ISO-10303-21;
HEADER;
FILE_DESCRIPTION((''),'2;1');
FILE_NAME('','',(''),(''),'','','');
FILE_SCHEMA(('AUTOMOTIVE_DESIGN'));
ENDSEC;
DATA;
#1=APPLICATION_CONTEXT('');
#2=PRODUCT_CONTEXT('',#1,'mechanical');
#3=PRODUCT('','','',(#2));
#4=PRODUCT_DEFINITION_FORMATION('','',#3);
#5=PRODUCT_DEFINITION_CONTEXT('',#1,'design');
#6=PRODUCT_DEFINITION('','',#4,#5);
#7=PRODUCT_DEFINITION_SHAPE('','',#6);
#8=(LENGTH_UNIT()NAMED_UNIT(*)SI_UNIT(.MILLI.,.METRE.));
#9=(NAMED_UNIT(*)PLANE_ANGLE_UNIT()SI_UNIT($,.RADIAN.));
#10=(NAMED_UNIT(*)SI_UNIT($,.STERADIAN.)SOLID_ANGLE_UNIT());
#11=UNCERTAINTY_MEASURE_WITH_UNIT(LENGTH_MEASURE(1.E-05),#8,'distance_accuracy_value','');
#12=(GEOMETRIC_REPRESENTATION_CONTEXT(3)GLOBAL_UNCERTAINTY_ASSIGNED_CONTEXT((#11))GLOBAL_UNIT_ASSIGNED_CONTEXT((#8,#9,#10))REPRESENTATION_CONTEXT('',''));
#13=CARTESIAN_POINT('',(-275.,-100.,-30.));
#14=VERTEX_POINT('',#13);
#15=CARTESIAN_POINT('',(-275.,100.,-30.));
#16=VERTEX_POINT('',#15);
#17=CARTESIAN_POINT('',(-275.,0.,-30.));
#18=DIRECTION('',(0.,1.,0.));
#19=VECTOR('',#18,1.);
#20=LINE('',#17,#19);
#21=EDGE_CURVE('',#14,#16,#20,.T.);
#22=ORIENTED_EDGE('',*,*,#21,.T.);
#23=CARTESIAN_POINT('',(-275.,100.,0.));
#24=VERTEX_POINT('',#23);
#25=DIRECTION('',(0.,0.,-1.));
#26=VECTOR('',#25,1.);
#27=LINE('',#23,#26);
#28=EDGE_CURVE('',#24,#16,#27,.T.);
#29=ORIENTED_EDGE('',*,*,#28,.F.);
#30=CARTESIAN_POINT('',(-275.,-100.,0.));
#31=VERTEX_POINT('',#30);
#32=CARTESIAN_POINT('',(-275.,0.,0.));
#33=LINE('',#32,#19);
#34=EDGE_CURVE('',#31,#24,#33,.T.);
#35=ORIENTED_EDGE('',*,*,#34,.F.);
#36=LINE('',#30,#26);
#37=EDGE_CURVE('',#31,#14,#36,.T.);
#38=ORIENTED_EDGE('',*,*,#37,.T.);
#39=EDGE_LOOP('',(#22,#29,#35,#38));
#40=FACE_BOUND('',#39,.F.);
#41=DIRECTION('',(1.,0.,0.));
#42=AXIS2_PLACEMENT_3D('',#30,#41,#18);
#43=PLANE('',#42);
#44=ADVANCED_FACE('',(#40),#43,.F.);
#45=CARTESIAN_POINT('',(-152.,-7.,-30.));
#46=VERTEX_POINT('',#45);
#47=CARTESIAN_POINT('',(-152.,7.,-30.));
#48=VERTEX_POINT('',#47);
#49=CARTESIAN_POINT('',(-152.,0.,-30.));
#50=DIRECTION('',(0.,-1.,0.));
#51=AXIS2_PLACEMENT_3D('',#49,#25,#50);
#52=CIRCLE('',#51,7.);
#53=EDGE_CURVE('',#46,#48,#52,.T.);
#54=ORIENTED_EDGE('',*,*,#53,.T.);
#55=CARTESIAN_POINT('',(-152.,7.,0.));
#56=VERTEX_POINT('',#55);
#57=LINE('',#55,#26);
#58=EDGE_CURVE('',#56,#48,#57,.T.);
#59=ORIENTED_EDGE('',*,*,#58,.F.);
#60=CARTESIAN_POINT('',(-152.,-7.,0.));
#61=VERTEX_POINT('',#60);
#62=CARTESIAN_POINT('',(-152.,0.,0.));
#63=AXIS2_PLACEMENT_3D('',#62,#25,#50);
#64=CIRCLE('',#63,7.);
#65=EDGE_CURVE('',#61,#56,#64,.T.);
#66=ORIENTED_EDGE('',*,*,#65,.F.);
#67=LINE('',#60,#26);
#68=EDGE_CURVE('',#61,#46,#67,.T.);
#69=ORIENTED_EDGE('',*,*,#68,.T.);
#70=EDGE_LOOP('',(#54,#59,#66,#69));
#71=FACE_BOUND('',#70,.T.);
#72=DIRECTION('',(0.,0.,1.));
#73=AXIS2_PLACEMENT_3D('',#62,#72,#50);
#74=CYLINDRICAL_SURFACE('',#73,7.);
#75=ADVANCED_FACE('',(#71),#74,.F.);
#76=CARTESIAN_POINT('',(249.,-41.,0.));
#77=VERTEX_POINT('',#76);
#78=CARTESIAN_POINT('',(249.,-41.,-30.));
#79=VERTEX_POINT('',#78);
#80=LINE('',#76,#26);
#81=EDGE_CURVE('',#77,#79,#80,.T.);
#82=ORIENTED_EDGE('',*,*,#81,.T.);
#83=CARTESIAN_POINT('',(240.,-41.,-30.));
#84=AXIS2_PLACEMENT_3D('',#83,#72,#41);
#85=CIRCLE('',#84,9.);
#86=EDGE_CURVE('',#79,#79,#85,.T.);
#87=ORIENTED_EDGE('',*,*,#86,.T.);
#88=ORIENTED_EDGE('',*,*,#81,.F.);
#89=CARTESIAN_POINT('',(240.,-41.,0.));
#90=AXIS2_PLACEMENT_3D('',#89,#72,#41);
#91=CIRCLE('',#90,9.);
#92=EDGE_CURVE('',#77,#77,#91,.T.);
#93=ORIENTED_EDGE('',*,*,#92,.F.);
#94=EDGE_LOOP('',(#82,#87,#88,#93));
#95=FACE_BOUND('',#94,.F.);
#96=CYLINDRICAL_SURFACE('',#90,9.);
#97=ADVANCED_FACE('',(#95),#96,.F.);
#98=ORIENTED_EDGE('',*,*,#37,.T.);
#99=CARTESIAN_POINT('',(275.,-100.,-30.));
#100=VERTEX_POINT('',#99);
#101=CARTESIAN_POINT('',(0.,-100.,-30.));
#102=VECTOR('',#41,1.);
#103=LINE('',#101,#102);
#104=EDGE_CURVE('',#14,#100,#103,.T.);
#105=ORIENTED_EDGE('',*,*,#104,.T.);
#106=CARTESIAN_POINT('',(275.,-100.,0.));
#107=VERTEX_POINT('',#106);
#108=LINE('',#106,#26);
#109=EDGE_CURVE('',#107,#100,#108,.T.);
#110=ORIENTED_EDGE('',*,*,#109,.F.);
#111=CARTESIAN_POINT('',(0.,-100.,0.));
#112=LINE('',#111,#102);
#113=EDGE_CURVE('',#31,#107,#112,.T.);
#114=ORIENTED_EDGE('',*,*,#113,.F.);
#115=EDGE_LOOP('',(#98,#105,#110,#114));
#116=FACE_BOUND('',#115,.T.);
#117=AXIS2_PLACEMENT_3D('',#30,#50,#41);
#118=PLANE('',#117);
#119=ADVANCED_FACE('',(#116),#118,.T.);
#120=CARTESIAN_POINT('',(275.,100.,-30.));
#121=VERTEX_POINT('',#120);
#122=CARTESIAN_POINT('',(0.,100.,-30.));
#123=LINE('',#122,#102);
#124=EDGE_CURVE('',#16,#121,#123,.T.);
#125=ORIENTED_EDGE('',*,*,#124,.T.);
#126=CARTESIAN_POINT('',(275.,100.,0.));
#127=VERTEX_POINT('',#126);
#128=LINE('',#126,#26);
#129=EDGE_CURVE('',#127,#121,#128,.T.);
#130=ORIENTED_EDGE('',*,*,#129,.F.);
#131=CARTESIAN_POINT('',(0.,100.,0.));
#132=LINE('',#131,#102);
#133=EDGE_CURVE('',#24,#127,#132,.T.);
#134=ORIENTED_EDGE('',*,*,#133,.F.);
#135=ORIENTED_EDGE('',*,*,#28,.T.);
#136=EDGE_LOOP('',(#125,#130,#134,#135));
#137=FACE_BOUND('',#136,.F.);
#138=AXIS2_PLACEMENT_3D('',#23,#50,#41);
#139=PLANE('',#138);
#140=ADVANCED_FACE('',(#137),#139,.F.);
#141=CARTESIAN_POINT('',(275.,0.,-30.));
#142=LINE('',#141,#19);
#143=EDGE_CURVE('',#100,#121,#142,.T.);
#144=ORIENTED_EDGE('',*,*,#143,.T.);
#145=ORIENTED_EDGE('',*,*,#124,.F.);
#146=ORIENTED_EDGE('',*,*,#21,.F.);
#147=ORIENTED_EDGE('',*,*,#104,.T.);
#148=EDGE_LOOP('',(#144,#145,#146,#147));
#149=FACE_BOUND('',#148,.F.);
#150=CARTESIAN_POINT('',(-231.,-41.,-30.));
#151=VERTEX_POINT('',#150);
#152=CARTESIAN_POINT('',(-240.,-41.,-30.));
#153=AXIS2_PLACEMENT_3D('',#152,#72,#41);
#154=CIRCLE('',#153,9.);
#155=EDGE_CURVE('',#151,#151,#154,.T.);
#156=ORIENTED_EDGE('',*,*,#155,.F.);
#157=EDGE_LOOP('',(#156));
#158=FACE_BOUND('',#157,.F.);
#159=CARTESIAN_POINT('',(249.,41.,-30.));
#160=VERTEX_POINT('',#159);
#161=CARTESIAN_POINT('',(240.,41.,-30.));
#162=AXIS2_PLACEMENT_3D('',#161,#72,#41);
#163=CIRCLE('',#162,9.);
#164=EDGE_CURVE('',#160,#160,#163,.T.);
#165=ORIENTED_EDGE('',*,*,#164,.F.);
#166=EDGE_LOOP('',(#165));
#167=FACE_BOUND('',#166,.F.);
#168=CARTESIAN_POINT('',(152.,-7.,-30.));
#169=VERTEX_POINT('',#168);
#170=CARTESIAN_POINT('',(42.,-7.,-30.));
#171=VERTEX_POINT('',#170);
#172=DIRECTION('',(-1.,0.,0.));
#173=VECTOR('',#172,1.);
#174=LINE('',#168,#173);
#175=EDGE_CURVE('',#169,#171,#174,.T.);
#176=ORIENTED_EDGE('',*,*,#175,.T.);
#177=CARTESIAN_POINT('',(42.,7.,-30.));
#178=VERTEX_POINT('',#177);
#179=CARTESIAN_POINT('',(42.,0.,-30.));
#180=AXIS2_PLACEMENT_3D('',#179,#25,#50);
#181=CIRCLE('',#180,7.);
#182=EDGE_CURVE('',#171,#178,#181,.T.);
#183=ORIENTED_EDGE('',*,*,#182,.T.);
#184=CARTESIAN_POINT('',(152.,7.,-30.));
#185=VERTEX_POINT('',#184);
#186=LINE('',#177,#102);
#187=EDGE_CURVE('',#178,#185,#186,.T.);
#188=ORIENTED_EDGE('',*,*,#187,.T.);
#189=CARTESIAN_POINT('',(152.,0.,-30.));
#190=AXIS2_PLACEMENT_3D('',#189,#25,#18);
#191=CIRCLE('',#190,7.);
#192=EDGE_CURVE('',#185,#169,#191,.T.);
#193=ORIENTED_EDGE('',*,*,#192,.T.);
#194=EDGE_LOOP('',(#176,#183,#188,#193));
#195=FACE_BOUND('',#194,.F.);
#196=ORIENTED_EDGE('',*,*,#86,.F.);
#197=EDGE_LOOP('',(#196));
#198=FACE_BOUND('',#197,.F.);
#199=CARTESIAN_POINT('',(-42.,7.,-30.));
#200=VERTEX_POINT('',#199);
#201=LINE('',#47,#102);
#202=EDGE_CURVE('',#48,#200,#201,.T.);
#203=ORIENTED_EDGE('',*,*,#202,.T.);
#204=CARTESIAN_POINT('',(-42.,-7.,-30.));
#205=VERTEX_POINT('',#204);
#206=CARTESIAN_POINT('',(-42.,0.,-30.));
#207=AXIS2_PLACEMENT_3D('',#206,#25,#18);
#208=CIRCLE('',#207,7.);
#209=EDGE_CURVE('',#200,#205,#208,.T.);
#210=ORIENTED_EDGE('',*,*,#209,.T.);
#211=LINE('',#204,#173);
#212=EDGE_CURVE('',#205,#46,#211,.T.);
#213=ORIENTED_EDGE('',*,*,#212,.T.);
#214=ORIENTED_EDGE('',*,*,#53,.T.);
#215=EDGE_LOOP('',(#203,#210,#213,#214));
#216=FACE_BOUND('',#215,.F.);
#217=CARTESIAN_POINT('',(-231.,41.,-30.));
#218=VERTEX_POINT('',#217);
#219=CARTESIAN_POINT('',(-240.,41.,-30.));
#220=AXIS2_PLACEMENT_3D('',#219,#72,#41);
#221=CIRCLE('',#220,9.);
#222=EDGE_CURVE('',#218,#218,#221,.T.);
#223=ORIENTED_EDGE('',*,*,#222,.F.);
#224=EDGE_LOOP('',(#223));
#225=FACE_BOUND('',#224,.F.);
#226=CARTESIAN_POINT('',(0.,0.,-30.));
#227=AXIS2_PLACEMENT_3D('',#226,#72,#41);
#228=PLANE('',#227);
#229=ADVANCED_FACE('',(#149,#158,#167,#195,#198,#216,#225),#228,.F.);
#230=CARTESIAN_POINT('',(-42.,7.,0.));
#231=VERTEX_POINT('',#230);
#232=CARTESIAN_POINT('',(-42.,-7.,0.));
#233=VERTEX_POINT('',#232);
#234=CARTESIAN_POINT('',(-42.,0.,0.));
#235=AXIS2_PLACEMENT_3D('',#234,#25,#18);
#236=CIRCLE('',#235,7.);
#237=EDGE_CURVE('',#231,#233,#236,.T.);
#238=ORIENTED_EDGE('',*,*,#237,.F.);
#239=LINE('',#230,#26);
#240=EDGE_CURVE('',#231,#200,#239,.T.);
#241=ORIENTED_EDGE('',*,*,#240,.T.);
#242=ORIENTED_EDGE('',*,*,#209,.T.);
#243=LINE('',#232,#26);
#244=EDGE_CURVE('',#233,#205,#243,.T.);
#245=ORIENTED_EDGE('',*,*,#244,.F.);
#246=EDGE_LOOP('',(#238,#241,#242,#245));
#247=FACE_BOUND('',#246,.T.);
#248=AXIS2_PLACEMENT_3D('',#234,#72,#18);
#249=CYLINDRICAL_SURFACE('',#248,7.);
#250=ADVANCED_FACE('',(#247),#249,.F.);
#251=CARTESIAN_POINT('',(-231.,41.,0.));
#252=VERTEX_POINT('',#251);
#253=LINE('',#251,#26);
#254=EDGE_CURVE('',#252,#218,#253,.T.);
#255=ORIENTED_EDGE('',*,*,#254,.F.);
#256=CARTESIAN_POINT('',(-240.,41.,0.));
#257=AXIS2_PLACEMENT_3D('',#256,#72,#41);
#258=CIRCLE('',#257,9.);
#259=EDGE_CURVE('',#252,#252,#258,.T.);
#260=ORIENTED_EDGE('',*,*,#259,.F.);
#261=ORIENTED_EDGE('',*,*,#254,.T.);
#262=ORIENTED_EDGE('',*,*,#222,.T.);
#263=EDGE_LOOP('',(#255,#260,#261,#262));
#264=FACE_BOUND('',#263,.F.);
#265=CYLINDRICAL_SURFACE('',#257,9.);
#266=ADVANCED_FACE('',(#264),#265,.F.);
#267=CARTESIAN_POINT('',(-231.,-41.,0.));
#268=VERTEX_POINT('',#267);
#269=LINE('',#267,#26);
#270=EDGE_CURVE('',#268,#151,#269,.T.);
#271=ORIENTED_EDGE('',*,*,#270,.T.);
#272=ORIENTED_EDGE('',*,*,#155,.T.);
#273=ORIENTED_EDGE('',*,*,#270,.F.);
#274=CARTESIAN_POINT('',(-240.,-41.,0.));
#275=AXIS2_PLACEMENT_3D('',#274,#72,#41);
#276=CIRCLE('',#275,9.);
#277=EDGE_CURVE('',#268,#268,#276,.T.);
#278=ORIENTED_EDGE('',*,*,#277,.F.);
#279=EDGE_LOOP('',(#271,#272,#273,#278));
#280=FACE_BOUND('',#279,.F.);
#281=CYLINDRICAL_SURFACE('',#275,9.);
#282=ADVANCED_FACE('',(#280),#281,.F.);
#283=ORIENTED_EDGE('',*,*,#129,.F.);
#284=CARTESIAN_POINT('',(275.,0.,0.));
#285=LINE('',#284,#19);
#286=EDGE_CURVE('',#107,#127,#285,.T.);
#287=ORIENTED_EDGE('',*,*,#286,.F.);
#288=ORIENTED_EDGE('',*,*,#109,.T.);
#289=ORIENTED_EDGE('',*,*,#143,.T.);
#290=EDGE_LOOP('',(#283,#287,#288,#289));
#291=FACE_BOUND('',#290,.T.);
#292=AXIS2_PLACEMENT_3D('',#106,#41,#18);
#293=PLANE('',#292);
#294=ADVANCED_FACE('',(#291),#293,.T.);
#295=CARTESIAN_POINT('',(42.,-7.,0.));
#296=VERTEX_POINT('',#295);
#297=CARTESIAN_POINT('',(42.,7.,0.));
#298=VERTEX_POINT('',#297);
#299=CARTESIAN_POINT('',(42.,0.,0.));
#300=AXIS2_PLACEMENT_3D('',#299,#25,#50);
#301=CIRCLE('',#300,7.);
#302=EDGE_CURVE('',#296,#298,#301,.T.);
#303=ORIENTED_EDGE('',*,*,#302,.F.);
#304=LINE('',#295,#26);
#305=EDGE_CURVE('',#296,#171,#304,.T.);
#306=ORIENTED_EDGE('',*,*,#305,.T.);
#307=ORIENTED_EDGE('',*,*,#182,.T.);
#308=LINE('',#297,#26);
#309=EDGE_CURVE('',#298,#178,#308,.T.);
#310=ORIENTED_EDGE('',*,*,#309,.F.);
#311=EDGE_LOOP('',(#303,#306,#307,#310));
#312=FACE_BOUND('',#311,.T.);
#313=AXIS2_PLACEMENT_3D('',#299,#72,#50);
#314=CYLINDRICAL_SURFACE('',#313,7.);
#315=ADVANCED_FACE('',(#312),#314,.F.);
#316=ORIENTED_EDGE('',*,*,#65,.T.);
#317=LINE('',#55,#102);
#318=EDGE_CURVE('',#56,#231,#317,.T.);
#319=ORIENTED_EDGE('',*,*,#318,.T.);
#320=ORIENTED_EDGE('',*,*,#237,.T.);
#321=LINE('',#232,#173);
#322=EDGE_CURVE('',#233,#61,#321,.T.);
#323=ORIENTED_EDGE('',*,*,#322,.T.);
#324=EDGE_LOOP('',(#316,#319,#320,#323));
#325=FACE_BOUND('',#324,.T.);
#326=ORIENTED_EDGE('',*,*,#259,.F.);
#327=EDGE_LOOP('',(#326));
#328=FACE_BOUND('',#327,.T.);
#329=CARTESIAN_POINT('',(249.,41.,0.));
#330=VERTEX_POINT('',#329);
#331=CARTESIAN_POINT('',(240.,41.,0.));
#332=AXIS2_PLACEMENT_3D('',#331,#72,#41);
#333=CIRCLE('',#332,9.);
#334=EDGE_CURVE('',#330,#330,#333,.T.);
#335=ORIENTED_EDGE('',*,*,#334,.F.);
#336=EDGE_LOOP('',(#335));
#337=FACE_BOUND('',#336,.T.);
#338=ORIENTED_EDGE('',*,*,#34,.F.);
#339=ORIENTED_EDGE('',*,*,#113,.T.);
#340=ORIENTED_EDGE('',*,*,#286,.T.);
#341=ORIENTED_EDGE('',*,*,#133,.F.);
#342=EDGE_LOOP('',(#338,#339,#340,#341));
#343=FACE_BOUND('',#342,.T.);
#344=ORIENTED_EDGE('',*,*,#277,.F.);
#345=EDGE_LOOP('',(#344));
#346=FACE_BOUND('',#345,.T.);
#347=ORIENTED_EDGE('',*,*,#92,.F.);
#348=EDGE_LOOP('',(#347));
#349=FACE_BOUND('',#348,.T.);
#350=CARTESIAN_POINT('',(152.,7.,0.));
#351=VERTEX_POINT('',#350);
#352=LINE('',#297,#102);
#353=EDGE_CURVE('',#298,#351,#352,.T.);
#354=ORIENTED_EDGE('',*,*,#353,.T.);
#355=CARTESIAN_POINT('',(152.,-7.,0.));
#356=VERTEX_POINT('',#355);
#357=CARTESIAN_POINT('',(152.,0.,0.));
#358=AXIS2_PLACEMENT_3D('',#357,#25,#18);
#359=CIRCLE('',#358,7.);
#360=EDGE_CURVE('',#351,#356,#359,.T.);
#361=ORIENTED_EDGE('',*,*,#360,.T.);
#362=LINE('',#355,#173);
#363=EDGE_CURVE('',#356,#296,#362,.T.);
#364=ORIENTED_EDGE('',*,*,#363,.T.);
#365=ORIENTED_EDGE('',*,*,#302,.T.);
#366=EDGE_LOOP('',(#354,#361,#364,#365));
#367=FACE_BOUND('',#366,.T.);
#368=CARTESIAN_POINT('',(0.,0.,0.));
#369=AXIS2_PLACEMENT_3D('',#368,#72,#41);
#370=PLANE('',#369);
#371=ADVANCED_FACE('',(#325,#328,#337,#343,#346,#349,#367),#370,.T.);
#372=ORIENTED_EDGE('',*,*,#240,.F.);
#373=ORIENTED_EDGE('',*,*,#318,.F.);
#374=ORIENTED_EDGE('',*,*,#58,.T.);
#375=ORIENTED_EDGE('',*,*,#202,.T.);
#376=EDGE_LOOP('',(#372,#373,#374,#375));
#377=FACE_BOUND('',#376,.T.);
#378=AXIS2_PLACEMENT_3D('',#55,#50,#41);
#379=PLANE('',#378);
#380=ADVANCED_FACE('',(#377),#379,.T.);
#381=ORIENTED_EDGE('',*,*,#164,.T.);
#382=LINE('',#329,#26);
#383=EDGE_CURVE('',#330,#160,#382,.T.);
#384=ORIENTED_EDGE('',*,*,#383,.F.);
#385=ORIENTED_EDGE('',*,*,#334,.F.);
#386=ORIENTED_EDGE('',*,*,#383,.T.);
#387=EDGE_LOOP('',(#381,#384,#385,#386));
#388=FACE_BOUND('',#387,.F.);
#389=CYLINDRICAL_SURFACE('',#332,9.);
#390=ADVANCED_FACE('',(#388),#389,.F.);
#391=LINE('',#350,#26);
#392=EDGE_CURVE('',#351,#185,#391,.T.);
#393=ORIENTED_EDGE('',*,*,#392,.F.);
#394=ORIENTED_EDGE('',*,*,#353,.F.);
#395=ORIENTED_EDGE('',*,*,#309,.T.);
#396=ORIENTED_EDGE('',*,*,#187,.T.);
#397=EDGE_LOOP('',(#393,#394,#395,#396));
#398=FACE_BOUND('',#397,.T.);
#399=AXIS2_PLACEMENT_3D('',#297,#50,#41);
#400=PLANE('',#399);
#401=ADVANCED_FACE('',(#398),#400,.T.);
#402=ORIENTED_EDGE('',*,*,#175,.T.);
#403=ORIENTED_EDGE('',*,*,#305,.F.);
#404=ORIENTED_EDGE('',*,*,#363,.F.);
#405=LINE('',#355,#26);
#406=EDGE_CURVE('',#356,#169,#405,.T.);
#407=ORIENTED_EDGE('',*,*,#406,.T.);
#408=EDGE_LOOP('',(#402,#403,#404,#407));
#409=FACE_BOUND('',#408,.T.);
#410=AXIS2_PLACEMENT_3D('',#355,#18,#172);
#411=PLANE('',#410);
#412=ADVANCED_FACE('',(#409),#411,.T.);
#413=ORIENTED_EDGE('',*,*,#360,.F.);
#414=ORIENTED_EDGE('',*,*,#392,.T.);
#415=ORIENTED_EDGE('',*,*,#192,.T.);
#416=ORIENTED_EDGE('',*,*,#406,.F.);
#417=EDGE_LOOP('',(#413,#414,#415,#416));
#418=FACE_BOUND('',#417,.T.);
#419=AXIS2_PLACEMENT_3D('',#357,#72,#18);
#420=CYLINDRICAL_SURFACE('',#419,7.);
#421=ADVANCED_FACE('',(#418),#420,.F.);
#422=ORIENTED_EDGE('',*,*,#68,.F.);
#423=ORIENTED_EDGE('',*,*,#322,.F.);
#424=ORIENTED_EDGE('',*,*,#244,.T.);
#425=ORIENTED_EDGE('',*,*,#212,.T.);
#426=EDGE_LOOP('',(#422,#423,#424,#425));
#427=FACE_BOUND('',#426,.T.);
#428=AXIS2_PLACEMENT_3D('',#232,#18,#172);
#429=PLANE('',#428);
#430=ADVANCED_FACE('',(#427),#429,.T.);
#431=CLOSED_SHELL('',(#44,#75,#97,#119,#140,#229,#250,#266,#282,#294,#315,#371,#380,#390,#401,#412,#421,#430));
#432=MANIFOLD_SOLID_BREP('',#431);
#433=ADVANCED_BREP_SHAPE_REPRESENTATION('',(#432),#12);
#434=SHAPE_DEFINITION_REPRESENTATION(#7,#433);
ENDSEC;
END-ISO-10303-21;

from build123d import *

# Parameters (mm, degrees)
F0_W     = 550
F0_H     = 200
F0_R     = 9
F1_DEPTH = 30


with BuildPart() as f1:
    # F0 (on Top) → F1 (new body)
    with BuildSketch(Plane.XY):
        Rectangle(F0_W, F0_H)
        with Locations((-240, -41)):
            Circle(F0_R, mode=Mode.SUBTRACT)
        with Locations((240, -41)):
            Circle(F0_R, mode=Mode.SUBTRACT)
        with Locations((-240, 41)):
            Circle(F0_R, mode=Mode.SUBTRACT)
        with BuildLine():
            ThreePointArc((-42, 7), (-35, 0), (-42, -7))
            Line((-42, -7), (-152, -7))
            ThreePointArc((-152, -7), (-159, 0), (-152, 7))
            Line((-152, 7), (-42, 7))
        make_face(mode=Mode.SUBTRACT)
        with BuildLine():
            ThreePointArc((42, -7), (35, 0), (42, 7))
            Line((42, 7), (152, 7))
            ThreePointArc((152, 7), (159, 0), (152, -7))
            Line((152, -7), (42, -7))
        make_face(mode=Mode.SUBTRACT)
        with Locations((240, 41)):
            Circle(F0_R, mode=Mode.SUBTRACT)
    extrude(amount=-F1_DEPTH)


solid = f1.part
